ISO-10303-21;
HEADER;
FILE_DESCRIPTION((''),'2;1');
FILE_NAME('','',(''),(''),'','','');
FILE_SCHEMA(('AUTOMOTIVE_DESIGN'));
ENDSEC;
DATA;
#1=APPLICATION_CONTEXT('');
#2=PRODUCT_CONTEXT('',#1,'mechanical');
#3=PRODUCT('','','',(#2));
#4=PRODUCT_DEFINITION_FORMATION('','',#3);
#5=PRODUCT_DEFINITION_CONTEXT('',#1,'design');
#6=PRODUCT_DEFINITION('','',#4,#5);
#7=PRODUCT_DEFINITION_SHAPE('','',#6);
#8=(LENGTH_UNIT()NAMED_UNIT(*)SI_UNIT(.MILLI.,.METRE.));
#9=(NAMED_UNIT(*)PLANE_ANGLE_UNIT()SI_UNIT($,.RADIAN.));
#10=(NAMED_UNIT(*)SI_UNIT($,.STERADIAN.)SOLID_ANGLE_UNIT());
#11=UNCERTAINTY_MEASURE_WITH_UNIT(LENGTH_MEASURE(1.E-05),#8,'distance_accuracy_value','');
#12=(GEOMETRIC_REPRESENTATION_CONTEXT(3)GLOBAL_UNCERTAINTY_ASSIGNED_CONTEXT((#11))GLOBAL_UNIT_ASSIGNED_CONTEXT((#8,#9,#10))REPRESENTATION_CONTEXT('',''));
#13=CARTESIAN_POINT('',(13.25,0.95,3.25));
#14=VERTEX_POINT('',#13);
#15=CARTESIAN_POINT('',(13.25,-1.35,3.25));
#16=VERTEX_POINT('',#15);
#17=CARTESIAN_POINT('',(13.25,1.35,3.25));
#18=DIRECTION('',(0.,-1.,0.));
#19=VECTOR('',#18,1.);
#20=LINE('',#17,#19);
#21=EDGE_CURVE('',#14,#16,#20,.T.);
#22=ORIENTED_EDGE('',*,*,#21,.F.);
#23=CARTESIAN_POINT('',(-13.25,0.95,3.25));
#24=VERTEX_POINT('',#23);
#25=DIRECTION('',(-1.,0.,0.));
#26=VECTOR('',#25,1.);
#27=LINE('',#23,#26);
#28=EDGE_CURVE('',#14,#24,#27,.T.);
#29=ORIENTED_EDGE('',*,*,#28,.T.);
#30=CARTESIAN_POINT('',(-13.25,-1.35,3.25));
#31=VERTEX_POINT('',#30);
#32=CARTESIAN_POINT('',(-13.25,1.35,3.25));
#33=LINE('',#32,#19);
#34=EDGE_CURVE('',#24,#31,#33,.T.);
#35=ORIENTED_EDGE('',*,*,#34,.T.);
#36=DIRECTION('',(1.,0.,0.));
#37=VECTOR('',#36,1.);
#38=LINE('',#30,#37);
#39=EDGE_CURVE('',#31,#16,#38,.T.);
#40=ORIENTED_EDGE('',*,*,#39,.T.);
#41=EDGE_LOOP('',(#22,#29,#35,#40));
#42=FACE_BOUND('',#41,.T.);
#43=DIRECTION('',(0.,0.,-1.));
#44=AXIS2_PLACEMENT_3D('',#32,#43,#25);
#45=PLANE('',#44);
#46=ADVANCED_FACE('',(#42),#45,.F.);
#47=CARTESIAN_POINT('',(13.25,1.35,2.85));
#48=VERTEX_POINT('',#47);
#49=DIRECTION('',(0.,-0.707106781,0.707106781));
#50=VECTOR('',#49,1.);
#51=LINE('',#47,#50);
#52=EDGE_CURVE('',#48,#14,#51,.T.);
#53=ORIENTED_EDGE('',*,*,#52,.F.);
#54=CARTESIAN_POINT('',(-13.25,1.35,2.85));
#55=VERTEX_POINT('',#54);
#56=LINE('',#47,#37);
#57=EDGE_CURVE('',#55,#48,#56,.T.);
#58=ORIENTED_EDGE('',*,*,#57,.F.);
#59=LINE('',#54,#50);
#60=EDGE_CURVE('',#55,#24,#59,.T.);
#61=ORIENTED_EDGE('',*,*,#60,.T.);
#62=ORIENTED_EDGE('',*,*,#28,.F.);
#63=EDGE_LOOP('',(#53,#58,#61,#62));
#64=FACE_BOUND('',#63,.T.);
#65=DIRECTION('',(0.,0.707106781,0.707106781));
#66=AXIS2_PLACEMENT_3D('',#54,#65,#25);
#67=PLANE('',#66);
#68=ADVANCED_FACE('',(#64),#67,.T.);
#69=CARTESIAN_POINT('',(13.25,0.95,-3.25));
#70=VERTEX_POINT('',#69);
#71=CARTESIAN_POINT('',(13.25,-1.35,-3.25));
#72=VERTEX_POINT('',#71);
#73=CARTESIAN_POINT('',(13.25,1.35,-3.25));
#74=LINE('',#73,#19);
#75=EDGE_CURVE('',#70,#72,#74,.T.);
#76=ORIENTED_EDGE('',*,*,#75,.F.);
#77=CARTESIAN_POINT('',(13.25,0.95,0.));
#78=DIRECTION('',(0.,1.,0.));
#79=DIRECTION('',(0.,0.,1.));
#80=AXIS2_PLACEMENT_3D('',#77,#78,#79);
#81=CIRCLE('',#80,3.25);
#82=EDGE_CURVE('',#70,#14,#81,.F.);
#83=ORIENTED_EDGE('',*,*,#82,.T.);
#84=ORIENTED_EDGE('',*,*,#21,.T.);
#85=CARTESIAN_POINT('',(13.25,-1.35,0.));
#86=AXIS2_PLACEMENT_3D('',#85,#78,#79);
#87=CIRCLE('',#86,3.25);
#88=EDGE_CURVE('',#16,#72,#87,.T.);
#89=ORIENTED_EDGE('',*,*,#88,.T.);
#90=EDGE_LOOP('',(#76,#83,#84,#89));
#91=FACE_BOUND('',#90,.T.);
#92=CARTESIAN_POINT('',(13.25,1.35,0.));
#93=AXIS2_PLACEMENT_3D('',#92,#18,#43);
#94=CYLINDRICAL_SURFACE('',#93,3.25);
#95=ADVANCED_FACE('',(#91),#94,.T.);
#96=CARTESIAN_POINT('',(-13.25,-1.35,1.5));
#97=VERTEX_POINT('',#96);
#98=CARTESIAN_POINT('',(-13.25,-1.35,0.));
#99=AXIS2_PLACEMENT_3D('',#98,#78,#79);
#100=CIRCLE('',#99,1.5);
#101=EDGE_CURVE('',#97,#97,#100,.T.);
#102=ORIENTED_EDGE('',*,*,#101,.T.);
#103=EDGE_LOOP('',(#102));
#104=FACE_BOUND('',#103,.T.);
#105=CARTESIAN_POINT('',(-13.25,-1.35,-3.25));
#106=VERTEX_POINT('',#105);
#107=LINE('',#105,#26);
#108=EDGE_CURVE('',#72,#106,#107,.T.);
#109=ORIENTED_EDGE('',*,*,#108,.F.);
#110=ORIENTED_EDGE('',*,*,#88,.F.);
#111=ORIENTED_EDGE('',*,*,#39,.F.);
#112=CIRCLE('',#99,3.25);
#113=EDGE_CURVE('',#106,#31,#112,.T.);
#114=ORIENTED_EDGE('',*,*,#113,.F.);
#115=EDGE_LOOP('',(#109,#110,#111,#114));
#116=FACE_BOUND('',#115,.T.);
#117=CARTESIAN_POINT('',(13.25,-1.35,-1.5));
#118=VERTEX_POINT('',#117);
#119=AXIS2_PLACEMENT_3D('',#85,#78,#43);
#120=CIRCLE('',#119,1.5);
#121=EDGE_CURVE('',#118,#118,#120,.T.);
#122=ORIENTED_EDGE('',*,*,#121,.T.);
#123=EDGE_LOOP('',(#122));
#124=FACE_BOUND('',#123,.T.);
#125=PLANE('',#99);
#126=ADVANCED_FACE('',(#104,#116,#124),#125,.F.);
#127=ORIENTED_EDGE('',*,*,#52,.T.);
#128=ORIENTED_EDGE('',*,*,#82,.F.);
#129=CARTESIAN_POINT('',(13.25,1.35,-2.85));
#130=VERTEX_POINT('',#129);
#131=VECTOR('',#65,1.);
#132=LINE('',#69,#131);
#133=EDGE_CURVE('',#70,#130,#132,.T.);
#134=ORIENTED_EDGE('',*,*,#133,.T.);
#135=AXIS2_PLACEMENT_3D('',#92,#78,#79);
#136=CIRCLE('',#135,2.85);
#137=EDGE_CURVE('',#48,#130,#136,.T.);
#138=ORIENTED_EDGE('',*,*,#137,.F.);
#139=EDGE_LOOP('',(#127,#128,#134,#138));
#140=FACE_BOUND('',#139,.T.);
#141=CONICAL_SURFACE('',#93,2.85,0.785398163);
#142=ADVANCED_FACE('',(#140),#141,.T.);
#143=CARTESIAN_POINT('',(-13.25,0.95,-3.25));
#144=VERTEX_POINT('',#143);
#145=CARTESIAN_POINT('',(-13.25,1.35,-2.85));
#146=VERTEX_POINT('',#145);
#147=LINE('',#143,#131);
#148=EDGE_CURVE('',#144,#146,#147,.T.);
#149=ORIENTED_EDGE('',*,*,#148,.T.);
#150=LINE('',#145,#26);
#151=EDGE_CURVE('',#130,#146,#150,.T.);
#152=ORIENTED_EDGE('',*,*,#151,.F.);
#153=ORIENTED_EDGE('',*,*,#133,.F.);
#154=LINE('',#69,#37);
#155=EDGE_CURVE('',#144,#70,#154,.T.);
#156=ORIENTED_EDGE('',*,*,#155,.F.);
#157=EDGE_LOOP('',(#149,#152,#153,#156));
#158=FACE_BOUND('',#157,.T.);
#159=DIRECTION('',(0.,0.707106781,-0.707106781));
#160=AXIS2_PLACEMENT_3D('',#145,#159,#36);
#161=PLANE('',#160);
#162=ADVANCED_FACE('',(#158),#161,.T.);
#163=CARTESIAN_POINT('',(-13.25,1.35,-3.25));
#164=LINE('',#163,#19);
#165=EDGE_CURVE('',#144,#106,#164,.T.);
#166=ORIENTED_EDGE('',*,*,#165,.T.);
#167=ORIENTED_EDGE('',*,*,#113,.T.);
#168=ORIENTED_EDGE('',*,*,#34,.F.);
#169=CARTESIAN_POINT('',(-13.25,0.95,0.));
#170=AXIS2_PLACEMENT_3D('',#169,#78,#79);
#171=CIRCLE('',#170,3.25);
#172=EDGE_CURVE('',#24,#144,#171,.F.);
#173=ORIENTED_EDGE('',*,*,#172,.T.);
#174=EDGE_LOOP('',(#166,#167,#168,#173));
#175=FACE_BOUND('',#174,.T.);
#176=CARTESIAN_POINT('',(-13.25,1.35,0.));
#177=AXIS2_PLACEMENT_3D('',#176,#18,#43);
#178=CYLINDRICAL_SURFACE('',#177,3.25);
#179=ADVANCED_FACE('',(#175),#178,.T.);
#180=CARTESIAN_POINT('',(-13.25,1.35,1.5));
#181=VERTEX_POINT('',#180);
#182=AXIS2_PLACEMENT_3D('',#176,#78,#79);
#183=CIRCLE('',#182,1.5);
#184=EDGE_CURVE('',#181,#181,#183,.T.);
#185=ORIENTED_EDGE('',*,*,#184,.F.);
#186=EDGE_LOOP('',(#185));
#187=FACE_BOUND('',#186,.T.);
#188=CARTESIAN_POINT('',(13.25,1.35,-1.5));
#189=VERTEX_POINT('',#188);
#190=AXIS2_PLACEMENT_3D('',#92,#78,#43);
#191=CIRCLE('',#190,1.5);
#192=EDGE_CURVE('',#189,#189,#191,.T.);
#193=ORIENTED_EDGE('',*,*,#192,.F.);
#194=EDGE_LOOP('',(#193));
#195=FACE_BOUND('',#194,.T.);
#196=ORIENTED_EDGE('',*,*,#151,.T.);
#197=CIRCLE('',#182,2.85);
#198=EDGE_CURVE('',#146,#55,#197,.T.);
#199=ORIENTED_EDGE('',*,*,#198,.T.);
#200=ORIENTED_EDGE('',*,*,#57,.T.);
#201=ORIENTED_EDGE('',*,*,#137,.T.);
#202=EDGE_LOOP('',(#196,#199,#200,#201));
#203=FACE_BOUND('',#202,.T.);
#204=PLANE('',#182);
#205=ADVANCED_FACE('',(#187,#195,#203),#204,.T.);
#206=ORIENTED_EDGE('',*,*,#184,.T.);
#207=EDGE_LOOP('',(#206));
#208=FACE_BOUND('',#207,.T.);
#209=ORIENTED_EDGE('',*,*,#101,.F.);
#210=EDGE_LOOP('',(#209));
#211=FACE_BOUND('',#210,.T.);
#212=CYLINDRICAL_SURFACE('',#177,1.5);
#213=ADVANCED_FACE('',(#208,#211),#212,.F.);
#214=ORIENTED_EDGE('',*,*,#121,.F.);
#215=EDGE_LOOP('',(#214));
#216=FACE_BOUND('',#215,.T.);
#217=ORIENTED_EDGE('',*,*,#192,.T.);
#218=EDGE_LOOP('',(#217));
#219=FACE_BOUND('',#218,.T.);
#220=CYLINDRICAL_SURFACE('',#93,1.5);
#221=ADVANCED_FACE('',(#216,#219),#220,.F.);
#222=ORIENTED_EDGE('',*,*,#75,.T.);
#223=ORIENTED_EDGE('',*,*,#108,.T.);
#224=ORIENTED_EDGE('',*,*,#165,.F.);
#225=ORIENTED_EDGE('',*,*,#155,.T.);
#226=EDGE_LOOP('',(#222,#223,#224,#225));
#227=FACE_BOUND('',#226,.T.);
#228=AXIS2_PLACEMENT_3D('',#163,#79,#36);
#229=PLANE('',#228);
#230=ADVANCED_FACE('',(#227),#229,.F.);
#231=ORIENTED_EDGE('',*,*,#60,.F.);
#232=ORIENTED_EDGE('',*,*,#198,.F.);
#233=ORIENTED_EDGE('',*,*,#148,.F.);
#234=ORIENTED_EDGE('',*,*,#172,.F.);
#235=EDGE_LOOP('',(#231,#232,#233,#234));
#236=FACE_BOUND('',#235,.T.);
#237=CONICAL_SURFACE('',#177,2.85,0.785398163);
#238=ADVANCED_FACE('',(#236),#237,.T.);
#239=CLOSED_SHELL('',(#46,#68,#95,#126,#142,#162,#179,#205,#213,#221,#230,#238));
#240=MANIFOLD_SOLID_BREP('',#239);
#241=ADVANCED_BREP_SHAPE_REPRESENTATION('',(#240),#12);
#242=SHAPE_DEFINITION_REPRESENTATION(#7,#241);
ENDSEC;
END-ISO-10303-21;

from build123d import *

# Parameters (mm, degrees)
SKETCH1_R           = 1.5
BOSS_EXTRUDE1_DEPTH = 1.35
CHAMFER1_SIZE       = 0.4


with BuildPart() as part:
    # Sketch1 → Boss-Extrude1 (new body, symmetric)
    with BuildSketch(Plane(origin=(0, 0, 0), x_dir=(1, 0, 0), z_dir=(0, 1, 0))):
        with BuildLine():
            Line((-13.25, 3.25), (13.25, 3.25))
            ThreePointArc((13.25, 3.25), (16.5, 0), (13.25, -3.25))
            Line((13.25, -3.25), (-13.25, -3.25))
            ThreePointArc((-13.25, -3.25), (-16.5, 0), (-13.25, 3.25))
        make_face()
        with Locations((-13.25, 0)):
            Circle(SKETCH1_R, mode=Mode.SUBTRACT)
        with Locations((13.25, 0)):
            Circle(SKETCH1_R, mode=Mode.SUBTRACT)
    extrude(amount=BOSS_EXTRUDE1_DEPTH, both=True)

    # Chamfer1
    chamfer1_edges = [part.edges().sort_by_distance(p)[0] for p in [
        (16.5, 1.35, 0),
        (0, 1.35, -3.25),
        (-16.5, 1.35, 0),
        (0, 1.35, 3.25),
    ]]
    chamfer(chamfer1_edges, length=CHAMFER1_SIZE)


solid = part.part
